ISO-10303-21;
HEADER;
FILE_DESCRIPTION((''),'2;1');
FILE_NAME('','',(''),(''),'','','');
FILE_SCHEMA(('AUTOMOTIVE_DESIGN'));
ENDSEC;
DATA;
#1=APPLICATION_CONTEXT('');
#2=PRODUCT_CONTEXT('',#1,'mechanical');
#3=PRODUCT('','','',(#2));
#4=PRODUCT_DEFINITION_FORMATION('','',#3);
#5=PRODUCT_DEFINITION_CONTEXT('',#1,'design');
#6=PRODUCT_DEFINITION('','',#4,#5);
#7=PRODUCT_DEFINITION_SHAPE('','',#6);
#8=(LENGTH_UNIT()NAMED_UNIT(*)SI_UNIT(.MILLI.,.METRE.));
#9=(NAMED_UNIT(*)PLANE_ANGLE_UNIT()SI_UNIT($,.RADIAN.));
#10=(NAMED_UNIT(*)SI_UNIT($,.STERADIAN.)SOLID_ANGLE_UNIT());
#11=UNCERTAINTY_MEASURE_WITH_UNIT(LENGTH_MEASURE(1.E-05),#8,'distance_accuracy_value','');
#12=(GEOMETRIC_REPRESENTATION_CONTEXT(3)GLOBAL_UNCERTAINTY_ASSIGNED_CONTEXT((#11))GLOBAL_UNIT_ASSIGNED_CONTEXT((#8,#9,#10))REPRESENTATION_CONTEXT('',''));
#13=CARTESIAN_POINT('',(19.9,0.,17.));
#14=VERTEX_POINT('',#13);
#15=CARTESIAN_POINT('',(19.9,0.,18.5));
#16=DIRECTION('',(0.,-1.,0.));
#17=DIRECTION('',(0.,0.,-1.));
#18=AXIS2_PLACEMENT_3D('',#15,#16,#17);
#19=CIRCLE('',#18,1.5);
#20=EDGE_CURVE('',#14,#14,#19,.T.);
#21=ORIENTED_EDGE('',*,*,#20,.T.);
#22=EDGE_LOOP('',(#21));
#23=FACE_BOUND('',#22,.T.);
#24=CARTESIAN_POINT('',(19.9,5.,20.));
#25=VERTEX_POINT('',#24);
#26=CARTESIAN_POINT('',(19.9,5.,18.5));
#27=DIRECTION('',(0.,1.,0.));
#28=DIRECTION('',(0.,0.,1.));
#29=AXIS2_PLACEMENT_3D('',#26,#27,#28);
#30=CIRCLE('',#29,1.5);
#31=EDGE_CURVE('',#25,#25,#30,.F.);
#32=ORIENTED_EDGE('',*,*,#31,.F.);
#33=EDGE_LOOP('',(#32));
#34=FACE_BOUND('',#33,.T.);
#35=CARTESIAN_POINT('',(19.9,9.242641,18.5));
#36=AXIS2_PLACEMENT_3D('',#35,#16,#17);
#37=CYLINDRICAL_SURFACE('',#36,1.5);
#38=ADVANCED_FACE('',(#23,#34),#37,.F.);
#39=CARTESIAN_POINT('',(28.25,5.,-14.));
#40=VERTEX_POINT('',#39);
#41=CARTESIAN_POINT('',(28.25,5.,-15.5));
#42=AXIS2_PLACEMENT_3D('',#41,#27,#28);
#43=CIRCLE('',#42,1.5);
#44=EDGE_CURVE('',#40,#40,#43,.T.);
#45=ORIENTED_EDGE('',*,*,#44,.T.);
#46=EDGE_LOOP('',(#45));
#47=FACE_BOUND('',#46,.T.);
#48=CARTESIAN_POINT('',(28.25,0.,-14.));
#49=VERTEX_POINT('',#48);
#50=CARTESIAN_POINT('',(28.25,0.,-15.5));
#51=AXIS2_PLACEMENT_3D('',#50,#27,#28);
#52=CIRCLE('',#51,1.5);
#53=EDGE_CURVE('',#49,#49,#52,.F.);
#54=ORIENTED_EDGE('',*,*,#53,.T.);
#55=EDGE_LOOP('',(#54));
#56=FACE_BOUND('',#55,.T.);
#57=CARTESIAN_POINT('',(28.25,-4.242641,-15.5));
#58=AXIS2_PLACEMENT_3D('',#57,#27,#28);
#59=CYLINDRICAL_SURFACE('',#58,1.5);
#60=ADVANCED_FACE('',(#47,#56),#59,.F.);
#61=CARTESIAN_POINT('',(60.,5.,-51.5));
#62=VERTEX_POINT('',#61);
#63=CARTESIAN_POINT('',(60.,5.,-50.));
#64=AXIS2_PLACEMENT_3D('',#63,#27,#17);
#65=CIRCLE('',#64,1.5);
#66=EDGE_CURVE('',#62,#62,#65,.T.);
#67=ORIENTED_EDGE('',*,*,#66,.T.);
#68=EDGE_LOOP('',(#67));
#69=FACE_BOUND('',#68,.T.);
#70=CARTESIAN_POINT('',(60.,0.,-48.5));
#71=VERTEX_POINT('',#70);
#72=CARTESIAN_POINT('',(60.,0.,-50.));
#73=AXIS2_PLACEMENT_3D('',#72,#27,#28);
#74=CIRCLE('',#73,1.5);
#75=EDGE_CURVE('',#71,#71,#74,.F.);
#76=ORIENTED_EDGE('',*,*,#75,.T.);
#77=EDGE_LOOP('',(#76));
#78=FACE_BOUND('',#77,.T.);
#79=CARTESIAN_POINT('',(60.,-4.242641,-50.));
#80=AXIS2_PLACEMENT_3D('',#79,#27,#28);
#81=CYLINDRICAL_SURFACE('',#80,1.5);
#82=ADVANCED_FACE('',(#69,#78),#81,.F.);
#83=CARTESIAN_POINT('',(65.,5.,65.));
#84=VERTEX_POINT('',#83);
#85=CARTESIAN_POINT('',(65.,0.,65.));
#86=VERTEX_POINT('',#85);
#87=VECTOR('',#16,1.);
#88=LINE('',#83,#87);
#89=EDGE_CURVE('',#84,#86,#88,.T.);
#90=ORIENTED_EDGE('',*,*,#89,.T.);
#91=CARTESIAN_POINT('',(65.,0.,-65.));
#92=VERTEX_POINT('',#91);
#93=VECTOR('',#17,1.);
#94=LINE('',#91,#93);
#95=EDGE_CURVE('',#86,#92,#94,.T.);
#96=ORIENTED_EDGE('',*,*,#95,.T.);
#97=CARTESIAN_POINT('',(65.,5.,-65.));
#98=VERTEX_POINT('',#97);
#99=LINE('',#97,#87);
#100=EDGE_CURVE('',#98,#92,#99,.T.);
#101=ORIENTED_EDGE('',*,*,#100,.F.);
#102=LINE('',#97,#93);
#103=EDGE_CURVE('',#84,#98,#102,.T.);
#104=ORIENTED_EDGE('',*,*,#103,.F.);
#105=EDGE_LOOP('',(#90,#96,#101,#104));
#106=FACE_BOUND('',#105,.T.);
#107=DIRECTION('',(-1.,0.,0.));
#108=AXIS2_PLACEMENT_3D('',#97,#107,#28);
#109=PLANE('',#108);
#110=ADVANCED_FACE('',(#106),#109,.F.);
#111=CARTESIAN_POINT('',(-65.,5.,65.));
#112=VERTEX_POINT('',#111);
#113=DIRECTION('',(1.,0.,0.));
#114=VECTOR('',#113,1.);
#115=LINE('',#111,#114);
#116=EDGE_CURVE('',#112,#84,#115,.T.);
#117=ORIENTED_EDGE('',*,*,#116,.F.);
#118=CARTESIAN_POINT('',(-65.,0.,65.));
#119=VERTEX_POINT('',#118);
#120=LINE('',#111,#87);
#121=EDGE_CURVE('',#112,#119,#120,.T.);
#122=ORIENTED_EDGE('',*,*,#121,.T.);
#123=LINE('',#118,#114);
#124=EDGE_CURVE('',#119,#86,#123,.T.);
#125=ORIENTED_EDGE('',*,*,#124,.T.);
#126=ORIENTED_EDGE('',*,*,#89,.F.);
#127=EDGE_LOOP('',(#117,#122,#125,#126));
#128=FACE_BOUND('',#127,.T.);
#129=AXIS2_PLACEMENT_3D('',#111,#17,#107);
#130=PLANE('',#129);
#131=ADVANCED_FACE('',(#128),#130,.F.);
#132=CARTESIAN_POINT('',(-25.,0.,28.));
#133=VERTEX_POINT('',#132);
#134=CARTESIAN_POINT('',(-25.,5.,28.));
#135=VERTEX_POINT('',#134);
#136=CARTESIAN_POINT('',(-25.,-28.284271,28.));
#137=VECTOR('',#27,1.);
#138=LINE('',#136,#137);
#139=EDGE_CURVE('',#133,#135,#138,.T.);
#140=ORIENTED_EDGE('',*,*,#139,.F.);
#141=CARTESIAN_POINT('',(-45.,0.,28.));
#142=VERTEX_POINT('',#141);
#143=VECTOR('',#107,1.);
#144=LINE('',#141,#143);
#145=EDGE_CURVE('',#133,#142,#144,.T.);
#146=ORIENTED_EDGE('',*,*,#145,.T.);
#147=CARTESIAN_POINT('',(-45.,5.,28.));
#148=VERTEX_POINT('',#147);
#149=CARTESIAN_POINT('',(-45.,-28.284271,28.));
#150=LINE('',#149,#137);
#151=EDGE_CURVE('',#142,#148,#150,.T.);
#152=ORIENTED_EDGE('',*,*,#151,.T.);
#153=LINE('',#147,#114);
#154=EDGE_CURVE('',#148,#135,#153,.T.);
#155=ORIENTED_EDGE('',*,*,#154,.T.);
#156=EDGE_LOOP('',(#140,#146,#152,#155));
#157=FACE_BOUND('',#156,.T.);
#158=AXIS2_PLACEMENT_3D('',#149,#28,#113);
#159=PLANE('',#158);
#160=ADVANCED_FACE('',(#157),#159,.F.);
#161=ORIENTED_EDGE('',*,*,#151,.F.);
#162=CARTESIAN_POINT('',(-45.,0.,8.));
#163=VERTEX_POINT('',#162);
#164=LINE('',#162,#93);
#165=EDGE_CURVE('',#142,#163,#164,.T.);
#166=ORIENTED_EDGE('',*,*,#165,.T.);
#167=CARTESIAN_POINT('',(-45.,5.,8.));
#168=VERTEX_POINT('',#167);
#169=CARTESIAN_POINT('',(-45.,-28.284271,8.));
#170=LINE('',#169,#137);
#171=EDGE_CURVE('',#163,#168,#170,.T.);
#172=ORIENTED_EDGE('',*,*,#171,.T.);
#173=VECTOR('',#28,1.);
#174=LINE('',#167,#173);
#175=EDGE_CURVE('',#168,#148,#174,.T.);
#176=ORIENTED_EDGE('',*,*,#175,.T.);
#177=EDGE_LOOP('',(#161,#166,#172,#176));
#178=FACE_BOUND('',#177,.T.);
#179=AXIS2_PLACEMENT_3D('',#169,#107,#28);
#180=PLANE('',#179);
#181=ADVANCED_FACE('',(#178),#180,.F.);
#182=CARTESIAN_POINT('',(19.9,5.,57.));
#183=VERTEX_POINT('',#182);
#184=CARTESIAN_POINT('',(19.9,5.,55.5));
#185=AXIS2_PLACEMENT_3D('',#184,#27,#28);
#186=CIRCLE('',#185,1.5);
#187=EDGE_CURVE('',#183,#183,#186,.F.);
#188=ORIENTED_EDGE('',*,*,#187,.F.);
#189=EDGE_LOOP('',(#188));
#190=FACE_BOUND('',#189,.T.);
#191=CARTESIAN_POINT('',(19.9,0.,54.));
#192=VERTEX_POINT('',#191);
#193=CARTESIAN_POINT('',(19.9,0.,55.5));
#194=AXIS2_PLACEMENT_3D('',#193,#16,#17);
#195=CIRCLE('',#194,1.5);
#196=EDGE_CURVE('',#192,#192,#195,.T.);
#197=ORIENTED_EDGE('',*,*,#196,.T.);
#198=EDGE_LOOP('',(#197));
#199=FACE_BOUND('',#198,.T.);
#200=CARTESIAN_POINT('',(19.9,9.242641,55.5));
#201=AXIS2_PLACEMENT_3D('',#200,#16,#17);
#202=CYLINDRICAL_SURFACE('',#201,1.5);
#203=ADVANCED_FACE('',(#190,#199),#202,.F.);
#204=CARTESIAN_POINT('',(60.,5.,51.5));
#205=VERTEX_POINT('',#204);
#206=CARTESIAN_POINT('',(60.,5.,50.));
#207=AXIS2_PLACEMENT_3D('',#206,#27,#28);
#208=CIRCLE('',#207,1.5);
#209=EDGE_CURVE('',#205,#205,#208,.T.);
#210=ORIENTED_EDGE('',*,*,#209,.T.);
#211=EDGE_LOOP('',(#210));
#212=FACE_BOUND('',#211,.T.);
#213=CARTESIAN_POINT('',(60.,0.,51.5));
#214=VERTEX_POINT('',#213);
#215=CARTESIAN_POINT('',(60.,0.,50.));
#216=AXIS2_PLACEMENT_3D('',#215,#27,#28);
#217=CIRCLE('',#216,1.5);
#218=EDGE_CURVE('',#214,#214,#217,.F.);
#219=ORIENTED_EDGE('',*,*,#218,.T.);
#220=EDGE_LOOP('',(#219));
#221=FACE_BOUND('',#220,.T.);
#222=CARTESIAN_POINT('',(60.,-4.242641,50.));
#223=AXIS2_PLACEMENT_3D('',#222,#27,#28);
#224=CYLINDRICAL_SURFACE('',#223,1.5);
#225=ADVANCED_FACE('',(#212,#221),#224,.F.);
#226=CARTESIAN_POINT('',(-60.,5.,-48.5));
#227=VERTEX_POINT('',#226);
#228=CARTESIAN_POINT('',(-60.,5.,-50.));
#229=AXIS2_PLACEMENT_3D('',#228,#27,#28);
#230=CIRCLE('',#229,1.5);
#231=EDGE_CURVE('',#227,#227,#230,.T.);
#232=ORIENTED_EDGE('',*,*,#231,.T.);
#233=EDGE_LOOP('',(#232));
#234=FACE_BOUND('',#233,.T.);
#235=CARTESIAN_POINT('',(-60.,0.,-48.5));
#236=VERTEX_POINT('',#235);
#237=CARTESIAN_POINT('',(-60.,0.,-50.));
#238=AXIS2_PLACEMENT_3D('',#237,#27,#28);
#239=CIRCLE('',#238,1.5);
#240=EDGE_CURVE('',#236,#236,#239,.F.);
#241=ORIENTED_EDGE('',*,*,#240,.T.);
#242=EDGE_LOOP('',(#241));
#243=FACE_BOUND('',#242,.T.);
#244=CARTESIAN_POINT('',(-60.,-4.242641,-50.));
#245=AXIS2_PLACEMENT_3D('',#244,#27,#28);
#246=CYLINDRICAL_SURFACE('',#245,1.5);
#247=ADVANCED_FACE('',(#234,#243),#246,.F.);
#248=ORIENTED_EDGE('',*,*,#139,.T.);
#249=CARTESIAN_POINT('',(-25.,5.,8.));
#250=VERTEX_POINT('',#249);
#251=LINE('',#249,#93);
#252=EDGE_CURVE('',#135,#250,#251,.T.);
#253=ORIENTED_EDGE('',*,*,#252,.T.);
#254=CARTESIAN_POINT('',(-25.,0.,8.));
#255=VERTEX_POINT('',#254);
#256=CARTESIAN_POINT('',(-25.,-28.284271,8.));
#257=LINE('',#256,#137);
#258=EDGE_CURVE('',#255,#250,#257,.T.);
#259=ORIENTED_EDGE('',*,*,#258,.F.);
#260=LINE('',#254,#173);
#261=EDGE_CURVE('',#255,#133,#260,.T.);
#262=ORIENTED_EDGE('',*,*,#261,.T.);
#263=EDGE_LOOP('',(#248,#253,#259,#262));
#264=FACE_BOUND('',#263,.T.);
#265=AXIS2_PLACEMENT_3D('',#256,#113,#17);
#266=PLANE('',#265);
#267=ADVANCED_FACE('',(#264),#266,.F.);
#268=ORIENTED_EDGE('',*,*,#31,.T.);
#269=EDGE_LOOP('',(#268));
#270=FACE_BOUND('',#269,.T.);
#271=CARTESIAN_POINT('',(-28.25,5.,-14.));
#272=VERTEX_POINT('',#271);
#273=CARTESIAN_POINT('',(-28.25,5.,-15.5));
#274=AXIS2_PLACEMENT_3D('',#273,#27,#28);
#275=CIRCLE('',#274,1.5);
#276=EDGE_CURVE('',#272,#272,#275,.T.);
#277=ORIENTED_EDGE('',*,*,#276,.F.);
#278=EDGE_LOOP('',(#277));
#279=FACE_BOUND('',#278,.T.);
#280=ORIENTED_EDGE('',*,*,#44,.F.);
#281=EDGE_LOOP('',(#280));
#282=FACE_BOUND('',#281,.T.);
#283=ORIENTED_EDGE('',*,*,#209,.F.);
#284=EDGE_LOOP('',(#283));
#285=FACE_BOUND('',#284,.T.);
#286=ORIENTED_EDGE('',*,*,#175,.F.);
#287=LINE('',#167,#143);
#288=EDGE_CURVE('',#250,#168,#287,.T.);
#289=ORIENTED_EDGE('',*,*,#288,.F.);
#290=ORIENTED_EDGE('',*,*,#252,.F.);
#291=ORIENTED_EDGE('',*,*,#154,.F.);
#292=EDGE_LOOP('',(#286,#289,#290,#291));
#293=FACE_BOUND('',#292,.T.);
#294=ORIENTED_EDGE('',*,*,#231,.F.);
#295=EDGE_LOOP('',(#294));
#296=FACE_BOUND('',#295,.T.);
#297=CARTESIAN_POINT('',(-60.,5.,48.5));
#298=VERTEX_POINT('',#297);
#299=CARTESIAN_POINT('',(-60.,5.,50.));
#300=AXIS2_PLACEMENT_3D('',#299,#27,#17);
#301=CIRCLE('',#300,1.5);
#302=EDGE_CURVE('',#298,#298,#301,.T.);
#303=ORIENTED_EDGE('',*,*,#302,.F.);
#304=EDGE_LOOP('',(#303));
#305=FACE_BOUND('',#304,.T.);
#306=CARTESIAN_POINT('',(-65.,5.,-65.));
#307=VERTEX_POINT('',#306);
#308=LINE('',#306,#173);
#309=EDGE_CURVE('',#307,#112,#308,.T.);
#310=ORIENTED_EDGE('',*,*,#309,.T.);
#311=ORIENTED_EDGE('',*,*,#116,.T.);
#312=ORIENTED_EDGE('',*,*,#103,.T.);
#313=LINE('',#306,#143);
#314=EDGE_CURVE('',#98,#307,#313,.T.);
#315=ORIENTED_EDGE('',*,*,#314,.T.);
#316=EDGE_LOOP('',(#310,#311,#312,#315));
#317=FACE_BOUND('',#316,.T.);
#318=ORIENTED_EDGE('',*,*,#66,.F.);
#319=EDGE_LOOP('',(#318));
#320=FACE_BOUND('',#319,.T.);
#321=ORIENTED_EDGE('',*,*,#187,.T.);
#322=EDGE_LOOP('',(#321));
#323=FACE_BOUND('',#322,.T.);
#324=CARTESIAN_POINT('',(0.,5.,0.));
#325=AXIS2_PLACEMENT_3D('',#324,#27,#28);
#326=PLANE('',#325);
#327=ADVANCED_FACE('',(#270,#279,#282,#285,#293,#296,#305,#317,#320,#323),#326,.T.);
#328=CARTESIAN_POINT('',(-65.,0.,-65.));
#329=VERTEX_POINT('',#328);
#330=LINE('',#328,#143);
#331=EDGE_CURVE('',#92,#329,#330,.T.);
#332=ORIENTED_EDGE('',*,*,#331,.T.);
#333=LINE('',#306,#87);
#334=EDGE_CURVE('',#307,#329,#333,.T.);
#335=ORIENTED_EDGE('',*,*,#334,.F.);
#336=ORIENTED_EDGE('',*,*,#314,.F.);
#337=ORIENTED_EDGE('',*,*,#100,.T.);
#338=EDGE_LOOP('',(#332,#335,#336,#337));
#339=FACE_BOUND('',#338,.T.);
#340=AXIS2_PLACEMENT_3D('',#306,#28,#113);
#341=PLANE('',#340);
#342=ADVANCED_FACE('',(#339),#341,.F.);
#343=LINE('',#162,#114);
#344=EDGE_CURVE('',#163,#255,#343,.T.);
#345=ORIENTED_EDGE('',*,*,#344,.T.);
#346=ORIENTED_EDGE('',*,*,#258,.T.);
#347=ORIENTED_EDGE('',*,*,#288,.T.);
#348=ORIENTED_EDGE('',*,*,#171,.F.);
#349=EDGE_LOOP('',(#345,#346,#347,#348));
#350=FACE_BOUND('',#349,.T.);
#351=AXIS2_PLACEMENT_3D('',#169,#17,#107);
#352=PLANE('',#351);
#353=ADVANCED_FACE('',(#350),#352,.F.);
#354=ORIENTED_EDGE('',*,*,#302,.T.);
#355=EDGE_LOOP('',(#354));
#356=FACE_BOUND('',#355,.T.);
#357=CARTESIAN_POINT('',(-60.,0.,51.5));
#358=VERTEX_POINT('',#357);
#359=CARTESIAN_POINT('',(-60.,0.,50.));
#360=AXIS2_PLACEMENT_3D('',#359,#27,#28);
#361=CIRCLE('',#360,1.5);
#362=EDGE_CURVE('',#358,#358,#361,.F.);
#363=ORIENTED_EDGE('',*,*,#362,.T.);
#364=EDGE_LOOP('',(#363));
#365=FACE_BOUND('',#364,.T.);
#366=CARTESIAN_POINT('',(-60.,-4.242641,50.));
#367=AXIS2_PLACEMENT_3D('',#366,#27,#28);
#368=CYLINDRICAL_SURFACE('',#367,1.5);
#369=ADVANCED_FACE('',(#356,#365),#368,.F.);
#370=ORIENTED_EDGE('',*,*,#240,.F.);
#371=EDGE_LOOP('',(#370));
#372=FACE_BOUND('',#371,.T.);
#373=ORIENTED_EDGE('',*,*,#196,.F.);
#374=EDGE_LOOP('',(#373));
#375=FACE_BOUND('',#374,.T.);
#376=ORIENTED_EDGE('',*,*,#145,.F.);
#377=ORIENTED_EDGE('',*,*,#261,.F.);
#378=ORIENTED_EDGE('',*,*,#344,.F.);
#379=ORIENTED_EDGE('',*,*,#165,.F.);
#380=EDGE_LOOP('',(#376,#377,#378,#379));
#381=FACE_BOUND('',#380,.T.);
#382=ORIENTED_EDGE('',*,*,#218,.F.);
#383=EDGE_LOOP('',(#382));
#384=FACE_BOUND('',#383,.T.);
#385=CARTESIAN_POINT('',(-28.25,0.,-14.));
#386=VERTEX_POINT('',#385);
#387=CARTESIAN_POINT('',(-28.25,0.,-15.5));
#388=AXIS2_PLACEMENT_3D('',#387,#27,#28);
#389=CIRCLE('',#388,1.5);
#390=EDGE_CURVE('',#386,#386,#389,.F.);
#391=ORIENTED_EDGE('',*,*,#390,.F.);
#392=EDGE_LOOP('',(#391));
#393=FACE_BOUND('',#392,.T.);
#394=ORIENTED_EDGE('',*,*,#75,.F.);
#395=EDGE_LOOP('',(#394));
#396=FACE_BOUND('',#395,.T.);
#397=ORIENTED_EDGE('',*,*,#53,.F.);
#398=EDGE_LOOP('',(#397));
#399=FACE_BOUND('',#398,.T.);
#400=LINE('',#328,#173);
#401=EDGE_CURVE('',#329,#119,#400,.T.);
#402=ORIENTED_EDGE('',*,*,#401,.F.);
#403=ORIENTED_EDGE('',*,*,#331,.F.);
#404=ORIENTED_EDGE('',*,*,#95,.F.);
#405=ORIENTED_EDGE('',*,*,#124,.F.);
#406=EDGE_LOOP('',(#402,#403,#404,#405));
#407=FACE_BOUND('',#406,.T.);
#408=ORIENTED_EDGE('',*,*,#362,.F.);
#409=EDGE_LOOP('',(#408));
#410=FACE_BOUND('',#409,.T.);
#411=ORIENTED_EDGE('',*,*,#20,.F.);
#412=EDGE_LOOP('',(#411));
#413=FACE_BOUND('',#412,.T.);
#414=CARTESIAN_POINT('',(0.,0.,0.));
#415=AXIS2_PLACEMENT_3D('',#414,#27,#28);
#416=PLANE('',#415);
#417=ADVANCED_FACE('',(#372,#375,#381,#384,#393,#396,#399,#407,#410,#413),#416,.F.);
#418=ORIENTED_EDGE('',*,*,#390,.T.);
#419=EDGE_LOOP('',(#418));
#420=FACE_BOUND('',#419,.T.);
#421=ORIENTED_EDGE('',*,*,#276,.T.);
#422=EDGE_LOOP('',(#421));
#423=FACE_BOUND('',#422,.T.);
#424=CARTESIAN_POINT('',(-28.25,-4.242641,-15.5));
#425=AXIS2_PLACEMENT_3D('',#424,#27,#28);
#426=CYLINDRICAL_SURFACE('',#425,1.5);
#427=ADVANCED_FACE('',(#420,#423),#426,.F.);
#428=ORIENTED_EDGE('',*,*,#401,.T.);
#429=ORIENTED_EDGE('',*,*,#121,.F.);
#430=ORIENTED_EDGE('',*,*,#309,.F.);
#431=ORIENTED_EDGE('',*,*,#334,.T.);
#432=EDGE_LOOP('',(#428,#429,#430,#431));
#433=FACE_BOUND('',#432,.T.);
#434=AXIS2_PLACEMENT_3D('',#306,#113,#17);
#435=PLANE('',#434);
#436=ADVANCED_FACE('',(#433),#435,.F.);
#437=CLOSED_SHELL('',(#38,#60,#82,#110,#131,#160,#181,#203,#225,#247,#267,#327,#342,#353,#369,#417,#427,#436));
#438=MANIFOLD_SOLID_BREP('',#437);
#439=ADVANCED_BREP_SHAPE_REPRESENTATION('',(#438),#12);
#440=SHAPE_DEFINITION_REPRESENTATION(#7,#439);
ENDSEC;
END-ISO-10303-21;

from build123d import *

# Parameters (mm, degrees)
SKETCH1_W           = 130
SKETCH1_H           = 130
BOSS_EXTRUDE1_DEPTH = 5
SKETCH2_R           = 1.5
CUT_EXTRUDE1_DEPTH  = 5
SKETCH3_R           = 1.5
CUT_EXTRUDE2_DEPTH  = 5
SKETCH4_R           = 1.5
CUT_EXTRUDE3_DEPTH  = 5
SKETCH5_W           = 20
SKETCH5_H           = 20
CUT_EXTRUDE4_DEPTH  = 5


with BuildPart() as part:
    # Sketch1 → Boss-Extrude1 (new body)
    with BuildSketch(Plane(origin=(0, 0, 0), x_dir=(1, 0, 0), z_dir=(0, 1, 0))):
        Rectangle(SKETCH1_W, SKETCH1_H)
    extrude(amount=BOSS_EXTRUDE1_DEPTH)

    # Sketch2 → Cut-Extrude1 (cut)
    with BuildSketch(Plane.XZ):
        with Locations(Location((19.9, 55.5, 0), (0, 0, 270))):
            Circle(SKETCH2_R)
        with Locations(Location((19.9, 18.5, 0), (0, 0, 270))):
            Circle(SKETCH2_R)
    extrude(amount=-CUT_EXTRUDE1_DEPTH, mode=Mode.SUBTRACT)

    # Sketch3 → Cut-Extrude2 (cut)
    with BuildSketch(Plane(origin=(0, 5, 0), x_dir=(1, 0, 0), z_dir=(0, 1, 0))):
        with Locations(Location((-28.25, 15.5, 0), (0, 0, 270))):
            Circle(SKETCH3_R)
        with Locations(Location((28.25, 15.5, 0), (0, 0, 270))):
            Circle(SKETCH3_R)
    extrude(amount=-CUT_EXTRUDE2_DEPTH, mode=Mode.SUBTRACT)

    # Sketch4 → Cut-Extrude3 (cut)
    with BuildSketch(Plane(origin=(0, 5, 0), x_dir=(1, 0, 0), z_dir=(0, 1, 0))):
        with Locations(Location((-60, 50, 0), (0, 0, 270))):
            Circle(SKETCH4_R)
        with Locations(Location((60, 50, 0), (0, 0, 270))):
            Circle(SKETCH4_R)
        with Locations(Location((60, -50, 0), (0, 0, 270))):
            Circle(SKETCH4_R)
        with Locations(Location((-60, -50, 0), (0, 0, 270))):
            Circle(SKETCH4_R)
    extrude(amount=-CUT_EXTRUDE3_DEPTH, mode=Mode.SUBTRACT)

    # Sketch5 → Cut-Extrude4 (cut)
    with BuildSketch(Plane(origin=(0, 5, 0), x_dir=(1, 0, 0), z_dir=(0, 1, 0))):
        with Locations((-35, -18)):
            Rectangle(SKETCH5_W, SKETCH5_H)
    extrude(amount=-CUT_EXTRUDE4_DEPTH, mode=Mode.SUBTRACT)


solid = part.part
